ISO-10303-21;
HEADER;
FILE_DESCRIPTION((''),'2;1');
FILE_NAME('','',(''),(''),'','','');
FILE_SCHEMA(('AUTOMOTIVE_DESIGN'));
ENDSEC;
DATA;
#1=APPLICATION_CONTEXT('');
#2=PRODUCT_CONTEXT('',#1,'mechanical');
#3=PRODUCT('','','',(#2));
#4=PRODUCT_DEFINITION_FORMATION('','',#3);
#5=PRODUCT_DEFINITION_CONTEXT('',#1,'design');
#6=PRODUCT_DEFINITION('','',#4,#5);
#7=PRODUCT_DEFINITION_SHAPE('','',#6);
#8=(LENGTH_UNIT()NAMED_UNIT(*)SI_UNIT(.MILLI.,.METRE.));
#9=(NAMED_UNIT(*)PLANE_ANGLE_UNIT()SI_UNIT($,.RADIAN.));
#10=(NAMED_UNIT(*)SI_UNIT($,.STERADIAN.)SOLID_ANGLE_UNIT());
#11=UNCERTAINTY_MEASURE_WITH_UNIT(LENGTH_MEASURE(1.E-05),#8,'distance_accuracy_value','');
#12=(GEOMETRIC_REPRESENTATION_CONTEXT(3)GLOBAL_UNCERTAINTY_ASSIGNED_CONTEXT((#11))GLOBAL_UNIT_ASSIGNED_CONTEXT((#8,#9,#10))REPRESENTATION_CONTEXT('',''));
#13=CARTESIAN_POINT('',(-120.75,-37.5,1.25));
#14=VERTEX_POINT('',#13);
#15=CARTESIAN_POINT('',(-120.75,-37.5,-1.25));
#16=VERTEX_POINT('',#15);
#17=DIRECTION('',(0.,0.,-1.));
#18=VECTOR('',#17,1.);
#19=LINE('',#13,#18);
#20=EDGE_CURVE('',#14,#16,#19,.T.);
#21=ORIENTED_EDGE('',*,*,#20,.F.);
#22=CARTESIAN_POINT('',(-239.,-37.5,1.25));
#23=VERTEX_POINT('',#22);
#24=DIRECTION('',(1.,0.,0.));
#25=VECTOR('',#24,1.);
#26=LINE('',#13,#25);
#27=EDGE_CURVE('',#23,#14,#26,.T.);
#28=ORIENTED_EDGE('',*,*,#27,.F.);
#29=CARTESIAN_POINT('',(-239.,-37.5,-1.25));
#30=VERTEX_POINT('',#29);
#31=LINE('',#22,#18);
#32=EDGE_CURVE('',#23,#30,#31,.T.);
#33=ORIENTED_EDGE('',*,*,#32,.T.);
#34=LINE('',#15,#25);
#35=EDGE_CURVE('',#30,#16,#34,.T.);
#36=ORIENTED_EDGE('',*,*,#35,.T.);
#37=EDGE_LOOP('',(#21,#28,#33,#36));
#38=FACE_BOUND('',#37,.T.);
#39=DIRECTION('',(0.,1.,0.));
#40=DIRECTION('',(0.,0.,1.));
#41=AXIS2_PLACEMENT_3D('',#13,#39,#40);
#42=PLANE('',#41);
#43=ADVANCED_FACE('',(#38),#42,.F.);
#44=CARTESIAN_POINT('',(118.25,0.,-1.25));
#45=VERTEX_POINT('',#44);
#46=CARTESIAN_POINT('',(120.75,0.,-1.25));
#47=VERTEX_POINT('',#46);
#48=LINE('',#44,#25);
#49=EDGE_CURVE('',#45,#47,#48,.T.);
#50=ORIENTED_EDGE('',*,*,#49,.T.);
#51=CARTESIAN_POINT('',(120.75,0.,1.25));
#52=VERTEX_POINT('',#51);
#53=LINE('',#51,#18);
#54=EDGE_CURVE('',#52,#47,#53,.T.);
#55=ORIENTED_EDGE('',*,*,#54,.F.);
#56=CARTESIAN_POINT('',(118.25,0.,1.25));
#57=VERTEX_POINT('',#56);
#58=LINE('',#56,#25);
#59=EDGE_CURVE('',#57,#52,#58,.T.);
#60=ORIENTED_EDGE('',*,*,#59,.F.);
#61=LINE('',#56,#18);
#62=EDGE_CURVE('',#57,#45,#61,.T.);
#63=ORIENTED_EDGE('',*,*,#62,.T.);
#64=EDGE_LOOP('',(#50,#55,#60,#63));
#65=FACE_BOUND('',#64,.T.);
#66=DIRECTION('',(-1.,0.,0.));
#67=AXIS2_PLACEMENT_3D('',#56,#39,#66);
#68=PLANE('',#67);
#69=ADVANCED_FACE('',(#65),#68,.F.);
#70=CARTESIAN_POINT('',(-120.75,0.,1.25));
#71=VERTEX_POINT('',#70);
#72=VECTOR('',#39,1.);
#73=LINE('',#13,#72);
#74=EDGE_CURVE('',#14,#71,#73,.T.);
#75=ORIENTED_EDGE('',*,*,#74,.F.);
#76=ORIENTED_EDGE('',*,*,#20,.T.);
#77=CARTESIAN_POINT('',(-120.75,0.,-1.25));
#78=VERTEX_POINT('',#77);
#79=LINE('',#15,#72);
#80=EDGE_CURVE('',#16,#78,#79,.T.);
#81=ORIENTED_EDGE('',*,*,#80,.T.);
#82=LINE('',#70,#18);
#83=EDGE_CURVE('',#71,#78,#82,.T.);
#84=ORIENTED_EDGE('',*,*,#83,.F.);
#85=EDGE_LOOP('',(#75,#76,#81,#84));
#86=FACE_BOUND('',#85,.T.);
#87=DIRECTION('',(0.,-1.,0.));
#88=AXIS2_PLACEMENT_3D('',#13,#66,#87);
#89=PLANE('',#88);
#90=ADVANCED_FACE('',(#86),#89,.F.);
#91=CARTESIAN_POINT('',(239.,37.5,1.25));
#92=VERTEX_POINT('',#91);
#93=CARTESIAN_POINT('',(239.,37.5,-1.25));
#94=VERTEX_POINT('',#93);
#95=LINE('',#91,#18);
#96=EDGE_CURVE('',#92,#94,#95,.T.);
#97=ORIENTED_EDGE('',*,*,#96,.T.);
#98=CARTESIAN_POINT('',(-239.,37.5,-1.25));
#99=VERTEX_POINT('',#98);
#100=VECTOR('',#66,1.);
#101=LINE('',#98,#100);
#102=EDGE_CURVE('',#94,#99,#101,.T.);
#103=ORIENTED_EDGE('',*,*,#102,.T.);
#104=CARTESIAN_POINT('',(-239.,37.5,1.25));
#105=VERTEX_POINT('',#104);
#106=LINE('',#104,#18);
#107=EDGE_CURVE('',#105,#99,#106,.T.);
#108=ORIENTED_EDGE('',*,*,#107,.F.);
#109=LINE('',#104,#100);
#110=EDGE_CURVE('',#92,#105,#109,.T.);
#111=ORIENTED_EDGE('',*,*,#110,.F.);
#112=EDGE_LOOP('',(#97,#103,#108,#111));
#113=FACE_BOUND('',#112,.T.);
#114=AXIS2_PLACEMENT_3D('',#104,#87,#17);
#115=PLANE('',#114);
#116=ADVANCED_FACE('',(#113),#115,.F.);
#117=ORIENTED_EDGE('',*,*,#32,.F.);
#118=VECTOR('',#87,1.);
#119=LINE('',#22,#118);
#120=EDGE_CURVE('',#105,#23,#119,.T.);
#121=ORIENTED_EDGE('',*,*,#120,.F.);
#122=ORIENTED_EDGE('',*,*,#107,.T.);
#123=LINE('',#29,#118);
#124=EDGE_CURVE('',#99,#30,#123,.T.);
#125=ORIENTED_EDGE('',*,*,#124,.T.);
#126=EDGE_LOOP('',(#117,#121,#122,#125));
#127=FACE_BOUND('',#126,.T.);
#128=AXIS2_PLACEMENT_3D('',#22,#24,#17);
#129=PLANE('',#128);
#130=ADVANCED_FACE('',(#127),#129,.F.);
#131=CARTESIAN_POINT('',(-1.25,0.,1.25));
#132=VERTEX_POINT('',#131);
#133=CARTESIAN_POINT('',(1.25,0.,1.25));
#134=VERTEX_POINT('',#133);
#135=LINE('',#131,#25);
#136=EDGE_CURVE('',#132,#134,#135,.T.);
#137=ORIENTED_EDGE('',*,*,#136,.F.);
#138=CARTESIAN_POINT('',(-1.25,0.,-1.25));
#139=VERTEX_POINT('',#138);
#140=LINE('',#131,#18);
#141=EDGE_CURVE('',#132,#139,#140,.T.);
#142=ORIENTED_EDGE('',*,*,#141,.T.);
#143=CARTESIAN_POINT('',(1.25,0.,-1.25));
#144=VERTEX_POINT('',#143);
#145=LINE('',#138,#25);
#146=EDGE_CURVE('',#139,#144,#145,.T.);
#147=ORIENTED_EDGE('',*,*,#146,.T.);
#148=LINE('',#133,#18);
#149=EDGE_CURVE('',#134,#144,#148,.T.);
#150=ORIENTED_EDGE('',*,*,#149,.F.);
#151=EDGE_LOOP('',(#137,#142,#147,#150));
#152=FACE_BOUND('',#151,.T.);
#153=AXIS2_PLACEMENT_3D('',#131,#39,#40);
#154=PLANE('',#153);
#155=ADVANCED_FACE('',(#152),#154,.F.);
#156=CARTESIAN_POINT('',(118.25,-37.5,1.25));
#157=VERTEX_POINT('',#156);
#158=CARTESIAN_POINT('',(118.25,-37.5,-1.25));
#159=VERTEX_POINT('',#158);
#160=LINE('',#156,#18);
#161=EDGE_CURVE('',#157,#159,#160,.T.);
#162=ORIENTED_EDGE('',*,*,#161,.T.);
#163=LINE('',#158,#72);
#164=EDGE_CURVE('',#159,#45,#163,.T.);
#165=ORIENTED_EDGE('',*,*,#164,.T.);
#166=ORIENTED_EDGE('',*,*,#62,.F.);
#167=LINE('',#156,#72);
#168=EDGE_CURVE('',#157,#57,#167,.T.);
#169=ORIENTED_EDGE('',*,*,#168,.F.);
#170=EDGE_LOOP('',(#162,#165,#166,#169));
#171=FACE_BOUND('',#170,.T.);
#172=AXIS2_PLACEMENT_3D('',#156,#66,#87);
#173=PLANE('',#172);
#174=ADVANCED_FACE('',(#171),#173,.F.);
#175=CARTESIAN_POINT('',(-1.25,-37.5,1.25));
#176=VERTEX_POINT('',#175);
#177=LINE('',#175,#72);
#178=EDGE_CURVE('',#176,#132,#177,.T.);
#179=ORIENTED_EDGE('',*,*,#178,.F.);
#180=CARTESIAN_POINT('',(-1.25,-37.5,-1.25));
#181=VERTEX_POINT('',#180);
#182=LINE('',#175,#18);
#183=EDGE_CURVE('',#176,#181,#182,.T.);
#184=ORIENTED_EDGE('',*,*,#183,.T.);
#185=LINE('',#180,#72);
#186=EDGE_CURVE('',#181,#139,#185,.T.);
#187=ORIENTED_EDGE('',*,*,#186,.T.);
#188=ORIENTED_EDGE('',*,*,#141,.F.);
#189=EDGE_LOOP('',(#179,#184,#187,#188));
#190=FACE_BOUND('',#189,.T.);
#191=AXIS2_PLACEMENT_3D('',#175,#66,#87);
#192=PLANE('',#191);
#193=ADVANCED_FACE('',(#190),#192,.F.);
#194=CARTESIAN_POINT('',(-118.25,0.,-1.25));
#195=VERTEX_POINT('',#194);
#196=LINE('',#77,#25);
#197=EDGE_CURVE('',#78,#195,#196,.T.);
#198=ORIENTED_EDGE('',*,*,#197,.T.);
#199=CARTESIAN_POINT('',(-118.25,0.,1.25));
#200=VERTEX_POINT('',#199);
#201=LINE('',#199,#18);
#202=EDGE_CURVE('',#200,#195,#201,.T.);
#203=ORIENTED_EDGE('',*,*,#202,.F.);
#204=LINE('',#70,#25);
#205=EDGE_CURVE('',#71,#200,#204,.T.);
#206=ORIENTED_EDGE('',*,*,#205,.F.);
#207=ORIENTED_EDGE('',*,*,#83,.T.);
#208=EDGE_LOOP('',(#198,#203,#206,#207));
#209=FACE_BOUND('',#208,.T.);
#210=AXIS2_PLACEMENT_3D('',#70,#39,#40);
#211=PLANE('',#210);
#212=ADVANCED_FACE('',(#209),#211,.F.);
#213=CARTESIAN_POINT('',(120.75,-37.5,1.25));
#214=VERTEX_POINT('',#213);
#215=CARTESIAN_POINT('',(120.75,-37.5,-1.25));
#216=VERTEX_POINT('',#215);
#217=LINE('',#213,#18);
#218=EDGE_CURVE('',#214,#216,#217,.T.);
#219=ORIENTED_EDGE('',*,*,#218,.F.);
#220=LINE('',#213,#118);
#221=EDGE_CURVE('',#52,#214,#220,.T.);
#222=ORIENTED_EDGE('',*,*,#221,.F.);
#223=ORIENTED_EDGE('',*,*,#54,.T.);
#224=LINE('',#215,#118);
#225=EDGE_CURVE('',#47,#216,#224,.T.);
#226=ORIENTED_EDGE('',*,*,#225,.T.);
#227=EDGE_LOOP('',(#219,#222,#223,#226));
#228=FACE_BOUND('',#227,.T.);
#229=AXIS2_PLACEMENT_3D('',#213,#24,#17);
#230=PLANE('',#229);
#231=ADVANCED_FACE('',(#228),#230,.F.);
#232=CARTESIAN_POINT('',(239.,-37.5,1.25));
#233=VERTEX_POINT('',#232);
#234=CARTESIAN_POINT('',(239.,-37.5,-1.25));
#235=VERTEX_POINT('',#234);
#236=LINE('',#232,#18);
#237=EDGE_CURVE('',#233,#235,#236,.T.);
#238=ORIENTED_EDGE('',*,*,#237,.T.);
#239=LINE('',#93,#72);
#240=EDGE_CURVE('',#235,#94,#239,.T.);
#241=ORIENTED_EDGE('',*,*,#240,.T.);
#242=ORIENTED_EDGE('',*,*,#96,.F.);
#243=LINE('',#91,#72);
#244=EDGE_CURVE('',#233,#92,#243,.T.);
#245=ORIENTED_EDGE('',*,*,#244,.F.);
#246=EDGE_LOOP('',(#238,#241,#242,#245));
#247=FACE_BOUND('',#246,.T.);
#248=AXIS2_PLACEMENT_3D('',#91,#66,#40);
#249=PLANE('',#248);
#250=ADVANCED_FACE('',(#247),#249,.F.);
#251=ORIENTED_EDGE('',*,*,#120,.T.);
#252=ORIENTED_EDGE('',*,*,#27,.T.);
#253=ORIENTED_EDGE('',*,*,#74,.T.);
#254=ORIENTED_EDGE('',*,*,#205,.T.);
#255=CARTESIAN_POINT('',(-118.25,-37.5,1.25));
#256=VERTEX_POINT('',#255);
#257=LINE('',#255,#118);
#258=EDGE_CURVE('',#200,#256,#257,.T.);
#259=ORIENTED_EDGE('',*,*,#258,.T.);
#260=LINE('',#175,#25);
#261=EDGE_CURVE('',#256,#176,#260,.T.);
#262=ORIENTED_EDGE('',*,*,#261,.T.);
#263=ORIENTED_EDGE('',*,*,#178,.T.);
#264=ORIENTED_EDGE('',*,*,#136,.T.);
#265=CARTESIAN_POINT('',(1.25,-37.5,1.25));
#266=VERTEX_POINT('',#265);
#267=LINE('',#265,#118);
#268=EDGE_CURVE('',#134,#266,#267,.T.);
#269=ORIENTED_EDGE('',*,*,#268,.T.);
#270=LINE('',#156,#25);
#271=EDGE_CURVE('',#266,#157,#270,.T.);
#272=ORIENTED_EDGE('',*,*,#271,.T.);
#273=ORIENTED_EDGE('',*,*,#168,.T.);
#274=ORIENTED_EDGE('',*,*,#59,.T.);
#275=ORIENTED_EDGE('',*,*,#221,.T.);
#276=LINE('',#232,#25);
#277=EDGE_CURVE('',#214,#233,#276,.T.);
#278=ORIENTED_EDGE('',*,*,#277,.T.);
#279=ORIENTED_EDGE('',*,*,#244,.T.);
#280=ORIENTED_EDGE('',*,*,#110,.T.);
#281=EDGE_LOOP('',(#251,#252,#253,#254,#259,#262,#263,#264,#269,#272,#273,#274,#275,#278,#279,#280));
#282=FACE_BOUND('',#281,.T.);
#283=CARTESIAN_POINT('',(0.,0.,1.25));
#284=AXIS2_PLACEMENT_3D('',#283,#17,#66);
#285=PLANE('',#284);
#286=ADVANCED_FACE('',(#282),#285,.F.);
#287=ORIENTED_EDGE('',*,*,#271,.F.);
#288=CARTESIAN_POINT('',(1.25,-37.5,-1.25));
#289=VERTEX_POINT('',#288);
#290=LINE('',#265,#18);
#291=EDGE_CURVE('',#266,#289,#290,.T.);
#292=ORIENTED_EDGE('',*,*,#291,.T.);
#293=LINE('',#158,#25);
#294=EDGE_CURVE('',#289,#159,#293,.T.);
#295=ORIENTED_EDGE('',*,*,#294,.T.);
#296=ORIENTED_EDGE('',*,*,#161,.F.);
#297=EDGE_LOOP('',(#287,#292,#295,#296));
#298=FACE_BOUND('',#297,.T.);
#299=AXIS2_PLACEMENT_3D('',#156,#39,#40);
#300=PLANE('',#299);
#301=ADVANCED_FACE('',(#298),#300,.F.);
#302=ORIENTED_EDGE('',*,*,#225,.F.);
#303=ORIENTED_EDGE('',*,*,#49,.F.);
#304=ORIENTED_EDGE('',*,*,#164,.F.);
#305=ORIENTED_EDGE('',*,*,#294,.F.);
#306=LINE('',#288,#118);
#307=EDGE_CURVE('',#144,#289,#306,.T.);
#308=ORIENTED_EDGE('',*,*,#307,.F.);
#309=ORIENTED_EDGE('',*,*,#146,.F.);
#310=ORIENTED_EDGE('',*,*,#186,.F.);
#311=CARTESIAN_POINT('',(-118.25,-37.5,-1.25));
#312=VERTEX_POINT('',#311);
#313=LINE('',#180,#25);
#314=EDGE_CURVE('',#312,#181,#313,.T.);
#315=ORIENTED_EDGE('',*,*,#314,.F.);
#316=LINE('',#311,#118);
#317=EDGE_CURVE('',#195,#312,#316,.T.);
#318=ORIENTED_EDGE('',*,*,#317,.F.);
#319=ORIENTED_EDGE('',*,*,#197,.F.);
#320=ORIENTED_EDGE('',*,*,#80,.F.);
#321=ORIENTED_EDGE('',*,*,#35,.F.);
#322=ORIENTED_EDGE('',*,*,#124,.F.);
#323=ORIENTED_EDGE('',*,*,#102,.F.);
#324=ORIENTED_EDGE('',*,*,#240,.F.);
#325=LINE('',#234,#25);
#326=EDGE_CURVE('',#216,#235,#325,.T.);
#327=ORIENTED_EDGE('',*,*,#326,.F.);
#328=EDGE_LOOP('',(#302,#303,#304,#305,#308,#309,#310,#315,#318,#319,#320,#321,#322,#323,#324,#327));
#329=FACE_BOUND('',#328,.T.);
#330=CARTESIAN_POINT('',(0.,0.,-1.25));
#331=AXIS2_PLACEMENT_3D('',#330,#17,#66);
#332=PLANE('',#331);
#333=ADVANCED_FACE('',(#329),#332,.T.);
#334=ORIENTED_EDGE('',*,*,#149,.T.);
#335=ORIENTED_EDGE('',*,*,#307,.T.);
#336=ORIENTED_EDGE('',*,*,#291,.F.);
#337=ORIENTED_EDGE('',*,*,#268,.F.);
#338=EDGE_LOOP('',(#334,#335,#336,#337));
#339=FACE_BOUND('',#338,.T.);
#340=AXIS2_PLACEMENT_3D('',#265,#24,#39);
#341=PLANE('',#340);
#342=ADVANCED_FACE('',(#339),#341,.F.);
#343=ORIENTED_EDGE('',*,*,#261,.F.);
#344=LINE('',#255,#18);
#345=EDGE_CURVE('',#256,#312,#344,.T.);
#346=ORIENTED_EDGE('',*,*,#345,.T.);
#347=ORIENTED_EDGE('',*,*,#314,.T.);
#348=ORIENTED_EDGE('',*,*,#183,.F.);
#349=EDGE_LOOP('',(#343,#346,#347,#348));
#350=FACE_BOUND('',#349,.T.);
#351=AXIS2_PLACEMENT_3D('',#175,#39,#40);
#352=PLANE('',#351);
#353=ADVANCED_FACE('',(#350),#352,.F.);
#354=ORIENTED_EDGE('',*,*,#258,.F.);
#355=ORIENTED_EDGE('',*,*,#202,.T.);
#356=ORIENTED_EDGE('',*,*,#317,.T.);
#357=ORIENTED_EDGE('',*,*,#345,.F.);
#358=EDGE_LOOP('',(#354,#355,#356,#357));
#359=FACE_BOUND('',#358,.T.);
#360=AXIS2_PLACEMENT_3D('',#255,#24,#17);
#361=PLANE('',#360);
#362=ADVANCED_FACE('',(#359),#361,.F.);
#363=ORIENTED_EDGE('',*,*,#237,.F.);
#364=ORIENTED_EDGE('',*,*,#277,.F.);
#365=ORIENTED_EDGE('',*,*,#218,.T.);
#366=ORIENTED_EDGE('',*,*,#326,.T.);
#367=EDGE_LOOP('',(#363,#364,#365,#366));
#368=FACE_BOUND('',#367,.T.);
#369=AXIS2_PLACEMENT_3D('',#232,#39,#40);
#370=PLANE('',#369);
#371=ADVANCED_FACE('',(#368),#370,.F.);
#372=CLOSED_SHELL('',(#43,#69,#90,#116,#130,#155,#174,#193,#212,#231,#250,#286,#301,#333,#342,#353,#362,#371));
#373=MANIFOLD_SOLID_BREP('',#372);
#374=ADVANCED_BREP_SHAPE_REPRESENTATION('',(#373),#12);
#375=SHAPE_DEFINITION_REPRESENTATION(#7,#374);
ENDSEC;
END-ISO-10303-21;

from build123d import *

# Parameters (mm, degrees)
BOSS_EXTRUDE1_DEPTH = 1.25


with BuildPart() as part:
    # Sketch1 → Boss-Extrude1 (new, symmetric)
    with BuildSketch(Plane.XY):
        Polygon((-1.25, -37.5), (-1.25, 0), (1.25, 0), (1.25, -37.5), (118.25, -37.5), (118.25, 0), (120.75, 0), (120.75, -37.5), (239, -37.5), (239, 37.5), (-239, 37.5), (-239, -37.5), (-120.75, -37.5), (-120.75, 0), (-118.25, 0), (-118.25, -37.5), align=None)
    extrude(amount=BOSS_EXTRUDE1_DEPTH, both=True)


solid = part.part
